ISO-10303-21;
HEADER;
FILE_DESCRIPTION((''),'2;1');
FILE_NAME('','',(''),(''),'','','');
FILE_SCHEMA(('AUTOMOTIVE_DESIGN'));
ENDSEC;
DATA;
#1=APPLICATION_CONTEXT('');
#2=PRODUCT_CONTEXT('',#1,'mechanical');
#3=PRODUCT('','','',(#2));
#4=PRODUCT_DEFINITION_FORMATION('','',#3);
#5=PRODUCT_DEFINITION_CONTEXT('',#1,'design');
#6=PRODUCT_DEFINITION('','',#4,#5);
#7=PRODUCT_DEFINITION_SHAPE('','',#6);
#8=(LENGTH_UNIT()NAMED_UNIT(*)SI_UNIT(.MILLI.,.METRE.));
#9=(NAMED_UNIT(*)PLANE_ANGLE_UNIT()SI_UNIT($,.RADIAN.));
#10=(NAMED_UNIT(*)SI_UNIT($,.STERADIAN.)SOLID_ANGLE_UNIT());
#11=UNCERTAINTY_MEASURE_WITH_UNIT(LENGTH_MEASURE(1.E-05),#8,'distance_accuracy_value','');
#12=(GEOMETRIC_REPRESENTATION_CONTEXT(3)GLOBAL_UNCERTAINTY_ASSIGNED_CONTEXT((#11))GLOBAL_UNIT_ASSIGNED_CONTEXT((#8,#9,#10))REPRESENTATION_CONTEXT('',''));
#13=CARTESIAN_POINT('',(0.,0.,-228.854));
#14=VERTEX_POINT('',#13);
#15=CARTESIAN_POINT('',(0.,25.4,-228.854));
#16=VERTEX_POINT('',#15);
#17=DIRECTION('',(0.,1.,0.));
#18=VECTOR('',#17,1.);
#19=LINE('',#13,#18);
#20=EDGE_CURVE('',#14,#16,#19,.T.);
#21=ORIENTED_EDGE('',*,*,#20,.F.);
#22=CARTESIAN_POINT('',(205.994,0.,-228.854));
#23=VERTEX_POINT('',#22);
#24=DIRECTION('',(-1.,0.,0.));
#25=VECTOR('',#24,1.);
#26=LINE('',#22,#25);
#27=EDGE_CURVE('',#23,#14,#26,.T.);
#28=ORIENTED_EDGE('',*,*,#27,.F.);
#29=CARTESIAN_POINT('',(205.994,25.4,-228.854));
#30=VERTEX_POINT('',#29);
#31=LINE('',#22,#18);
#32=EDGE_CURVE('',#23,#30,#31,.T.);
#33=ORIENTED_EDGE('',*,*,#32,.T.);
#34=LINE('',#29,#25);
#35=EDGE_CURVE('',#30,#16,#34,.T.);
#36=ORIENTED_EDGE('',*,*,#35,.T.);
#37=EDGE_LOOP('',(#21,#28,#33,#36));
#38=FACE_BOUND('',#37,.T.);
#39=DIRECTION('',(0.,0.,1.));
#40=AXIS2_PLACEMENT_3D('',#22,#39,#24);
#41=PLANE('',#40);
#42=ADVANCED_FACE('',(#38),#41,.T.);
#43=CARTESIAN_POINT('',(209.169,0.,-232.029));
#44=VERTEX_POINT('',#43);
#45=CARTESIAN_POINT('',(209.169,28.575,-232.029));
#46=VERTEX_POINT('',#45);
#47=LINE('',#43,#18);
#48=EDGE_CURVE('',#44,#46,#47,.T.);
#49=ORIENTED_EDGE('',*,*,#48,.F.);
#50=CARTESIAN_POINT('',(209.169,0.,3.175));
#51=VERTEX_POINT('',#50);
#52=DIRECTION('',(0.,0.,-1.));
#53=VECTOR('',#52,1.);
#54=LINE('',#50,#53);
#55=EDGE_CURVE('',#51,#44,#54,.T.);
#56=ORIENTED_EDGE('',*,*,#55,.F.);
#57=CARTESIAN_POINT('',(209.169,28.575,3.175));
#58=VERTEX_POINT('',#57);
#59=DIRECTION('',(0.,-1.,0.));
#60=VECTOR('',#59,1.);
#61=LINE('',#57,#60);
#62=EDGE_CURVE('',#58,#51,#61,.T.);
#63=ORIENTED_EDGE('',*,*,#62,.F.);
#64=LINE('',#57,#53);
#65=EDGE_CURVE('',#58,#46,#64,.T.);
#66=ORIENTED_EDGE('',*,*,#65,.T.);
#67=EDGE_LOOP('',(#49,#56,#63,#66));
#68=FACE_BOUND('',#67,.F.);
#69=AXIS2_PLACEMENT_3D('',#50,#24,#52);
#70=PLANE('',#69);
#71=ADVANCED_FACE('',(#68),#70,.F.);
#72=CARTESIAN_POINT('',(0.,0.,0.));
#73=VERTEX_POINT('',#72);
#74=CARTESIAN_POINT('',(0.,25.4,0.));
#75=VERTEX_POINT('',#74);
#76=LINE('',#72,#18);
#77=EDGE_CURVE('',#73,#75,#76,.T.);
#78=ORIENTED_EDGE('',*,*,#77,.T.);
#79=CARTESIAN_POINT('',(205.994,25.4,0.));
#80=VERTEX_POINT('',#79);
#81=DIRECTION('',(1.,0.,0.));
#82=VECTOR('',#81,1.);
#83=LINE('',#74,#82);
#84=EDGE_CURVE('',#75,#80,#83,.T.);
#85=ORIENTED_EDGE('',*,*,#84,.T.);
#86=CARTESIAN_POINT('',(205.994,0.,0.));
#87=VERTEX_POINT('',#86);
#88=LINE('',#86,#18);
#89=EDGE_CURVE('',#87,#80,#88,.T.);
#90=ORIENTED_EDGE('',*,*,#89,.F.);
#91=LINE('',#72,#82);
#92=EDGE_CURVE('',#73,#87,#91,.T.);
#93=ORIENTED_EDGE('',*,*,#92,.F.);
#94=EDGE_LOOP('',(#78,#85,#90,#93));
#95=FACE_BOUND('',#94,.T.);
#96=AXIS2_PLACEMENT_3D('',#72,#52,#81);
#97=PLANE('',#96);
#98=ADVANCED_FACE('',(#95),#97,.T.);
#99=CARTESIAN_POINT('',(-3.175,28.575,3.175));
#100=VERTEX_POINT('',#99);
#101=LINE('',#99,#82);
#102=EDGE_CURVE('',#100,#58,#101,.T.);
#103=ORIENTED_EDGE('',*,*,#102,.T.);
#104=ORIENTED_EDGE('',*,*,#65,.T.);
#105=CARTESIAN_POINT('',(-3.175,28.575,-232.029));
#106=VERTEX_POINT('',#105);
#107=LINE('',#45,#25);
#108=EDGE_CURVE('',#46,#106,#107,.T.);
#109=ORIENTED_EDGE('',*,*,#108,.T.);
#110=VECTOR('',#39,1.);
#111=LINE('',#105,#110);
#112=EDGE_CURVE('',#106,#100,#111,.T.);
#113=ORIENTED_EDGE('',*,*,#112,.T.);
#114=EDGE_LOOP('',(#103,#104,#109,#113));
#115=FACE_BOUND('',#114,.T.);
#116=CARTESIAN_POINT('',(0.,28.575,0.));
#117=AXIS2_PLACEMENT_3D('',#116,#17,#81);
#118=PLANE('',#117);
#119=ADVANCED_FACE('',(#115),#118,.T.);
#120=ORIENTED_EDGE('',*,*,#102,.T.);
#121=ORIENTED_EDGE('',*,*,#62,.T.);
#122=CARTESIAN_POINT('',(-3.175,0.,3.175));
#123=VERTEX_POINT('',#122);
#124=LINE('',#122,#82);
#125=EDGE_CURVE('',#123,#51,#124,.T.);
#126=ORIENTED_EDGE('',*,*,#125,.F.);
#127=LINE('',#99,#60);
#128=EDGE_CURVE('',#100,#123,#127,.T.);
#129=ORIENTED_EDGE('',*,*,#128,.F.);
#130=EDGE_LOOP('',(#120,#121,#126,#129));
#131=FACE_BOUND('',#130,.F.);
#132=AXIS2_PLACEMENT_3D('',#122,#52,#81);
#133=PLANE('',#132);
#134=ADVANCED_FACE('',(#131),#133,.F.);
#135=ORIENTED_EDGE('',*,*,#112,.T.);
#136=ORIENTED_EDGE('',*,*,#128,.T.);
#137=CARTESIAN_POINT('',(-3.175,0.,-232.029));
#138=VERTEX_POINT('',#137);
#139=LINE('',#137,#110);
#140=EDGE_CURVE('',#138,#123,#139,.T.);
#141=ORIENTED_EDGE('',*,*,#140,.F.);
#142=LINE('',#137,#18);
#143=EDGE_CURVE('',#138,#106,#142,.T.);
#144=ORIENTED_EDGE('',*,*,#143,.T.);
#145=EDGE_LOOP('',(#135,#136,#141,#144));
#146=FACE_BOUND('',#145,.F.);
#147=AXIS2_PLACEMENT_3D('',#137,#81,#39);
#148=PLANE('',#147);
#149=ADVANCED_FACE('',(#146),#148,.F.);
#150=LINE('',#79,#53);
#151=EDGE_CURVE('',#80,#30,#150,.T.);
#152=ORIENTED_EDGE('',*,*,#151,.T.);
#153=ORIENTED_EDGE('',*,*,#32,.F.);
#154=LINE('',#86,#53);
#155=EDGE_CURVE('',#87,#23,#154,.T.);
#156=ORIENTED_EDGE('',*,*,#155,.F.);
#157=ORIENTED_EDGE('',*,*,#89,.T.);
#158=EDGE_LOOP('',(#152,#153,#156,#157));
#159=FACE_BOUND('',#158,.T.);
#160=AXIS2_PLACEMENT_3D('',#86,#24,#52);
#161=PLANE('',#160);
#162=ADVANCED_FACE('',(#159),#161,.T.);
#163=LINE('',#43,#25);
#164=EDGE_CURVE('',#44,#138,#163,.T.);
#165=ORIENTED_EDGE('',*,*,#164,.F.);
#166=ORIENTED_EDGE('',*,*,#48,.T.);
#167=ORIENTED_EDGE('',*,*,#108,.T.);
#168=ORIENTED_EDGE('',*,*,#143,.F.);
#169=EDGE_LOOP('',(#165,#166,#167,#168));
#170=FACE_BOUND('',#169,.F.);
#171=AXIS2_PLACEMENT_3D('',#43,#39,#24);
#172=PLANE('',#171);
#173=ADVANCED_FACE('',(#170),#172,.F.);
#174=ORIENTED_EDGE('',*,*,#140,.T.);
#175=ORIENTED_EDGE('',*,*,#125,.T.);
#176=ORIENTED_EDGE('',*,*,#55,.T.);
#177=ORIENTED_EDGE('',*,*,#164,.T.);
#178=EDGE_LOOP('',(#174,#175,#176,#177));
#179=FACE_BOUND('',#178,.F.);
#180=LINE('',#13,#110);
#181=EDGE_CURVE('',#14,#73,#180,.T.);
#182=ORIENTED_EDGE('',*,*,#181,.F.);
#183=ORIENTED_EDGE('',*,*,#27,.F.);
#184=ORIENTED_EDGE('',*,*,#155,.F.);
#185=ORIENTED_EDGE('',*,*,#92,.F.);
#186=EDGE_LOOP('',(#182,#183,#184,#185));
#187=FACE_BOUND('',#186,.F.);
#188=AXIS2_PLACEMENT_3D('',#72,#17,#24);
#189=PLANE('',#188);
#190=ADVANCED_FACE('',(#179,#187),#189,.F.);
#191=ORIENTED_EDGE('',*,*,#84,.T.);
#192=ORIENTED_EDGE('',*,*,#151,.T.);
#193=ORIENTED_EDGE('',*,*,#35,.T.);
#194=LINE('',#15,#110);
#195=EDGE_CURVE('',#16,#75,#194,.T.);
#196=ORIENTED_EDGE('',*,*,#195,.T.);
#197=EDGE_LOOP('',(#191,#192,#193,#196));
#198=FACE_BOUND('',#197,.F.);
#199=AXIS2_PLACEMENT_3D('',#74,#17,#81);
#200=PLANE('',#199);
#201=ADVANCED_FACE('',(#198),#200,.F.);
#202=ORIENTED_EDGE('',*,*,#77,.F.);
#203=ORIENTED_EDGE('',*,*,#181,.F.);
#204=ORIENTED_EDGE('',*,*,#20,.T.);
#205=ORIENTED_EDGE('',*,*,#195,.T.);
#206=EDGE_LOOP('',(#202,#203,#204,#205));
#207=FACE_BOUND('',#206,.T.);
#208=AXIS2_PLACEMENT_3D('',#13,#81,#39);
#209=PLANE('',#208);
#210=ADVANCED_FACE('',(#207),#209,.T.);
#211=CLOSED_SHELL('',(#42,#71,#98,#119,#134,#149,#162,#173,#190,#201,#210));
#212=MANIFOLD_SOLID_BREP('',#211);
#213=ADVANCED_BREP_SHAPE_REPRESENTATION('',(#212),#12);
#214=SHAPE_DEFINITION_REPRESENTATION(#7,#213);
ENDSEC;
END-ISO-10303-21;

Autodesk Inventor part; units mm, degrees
ref_plane "YZ Plane" through (0, 0, 0) normal (1, 0, 0) x (0, 1, 0)
ref_plane "XZ Plane" through (0, 0, 0) normal (0, 1, 0) x (-1, 0, 0)
ref_plane "XY Plane" through (0, 0, 0) normal (0, 0, 1) x (1, 0, 0)
sketch "Sketch1" plane through (0, 0, 0) normal (0, 1, 0) x (-1, 0, 0)
  line L0 (0, 0) -> (-205.994, 0)
  line L1 (-205.994, 0) -> (-205.994, -228.854)
  line L2 (-205.994, -228.854) -> (0, -228.854)
  line L3 (0, -228.854) -> (0, 0)
  line L4 (-209.169, -232.029) -> (3.175, -232.029)
  line L5 (3.175, -232.029) -> (3.175, 3.175)
  line L6 (3.175, 3.175) -> (-209.169, 3.175)
  line L7 (-209.169, 3.175) -> (-209.169, -232.029)
  dimension "d0" = 205.994
  dimension "d1" = 228.854
  dimension "d2" = 3.175
  dimension "d3" = 3.175
  dimension "d4" = 3.175
  dimension "d5" = 3.175
extrude "Extrusion2" add sketch "Sketch1" along normal blind 25.4
sketch "Sketch2" plane through (0, 25.4, 0) normal (0, 1, 0) x (1, 0, 0)
  line L0 (-3.175, 232.029) -> (-3.175, -3.175) projected
  line L1 (-3.175, -3.175) -> (209.169, -3.175) projected
  line L2 (209.169, -3.175) -> (209.169, 232.029) projected
  line L3 (209.169, 232.029) -> (-3.175, 232.029) projected
  point P0 (0, 0)
extrude "Extrusion3" add sketch "Sketch2" along normal blind 3.175
sketch "Sketch4" plane through (0, 25.4, 0) normal (0, -1, 0) x (1, 0, 0)
  point P0 (0, 0)
properties part number "FishTankLid"
